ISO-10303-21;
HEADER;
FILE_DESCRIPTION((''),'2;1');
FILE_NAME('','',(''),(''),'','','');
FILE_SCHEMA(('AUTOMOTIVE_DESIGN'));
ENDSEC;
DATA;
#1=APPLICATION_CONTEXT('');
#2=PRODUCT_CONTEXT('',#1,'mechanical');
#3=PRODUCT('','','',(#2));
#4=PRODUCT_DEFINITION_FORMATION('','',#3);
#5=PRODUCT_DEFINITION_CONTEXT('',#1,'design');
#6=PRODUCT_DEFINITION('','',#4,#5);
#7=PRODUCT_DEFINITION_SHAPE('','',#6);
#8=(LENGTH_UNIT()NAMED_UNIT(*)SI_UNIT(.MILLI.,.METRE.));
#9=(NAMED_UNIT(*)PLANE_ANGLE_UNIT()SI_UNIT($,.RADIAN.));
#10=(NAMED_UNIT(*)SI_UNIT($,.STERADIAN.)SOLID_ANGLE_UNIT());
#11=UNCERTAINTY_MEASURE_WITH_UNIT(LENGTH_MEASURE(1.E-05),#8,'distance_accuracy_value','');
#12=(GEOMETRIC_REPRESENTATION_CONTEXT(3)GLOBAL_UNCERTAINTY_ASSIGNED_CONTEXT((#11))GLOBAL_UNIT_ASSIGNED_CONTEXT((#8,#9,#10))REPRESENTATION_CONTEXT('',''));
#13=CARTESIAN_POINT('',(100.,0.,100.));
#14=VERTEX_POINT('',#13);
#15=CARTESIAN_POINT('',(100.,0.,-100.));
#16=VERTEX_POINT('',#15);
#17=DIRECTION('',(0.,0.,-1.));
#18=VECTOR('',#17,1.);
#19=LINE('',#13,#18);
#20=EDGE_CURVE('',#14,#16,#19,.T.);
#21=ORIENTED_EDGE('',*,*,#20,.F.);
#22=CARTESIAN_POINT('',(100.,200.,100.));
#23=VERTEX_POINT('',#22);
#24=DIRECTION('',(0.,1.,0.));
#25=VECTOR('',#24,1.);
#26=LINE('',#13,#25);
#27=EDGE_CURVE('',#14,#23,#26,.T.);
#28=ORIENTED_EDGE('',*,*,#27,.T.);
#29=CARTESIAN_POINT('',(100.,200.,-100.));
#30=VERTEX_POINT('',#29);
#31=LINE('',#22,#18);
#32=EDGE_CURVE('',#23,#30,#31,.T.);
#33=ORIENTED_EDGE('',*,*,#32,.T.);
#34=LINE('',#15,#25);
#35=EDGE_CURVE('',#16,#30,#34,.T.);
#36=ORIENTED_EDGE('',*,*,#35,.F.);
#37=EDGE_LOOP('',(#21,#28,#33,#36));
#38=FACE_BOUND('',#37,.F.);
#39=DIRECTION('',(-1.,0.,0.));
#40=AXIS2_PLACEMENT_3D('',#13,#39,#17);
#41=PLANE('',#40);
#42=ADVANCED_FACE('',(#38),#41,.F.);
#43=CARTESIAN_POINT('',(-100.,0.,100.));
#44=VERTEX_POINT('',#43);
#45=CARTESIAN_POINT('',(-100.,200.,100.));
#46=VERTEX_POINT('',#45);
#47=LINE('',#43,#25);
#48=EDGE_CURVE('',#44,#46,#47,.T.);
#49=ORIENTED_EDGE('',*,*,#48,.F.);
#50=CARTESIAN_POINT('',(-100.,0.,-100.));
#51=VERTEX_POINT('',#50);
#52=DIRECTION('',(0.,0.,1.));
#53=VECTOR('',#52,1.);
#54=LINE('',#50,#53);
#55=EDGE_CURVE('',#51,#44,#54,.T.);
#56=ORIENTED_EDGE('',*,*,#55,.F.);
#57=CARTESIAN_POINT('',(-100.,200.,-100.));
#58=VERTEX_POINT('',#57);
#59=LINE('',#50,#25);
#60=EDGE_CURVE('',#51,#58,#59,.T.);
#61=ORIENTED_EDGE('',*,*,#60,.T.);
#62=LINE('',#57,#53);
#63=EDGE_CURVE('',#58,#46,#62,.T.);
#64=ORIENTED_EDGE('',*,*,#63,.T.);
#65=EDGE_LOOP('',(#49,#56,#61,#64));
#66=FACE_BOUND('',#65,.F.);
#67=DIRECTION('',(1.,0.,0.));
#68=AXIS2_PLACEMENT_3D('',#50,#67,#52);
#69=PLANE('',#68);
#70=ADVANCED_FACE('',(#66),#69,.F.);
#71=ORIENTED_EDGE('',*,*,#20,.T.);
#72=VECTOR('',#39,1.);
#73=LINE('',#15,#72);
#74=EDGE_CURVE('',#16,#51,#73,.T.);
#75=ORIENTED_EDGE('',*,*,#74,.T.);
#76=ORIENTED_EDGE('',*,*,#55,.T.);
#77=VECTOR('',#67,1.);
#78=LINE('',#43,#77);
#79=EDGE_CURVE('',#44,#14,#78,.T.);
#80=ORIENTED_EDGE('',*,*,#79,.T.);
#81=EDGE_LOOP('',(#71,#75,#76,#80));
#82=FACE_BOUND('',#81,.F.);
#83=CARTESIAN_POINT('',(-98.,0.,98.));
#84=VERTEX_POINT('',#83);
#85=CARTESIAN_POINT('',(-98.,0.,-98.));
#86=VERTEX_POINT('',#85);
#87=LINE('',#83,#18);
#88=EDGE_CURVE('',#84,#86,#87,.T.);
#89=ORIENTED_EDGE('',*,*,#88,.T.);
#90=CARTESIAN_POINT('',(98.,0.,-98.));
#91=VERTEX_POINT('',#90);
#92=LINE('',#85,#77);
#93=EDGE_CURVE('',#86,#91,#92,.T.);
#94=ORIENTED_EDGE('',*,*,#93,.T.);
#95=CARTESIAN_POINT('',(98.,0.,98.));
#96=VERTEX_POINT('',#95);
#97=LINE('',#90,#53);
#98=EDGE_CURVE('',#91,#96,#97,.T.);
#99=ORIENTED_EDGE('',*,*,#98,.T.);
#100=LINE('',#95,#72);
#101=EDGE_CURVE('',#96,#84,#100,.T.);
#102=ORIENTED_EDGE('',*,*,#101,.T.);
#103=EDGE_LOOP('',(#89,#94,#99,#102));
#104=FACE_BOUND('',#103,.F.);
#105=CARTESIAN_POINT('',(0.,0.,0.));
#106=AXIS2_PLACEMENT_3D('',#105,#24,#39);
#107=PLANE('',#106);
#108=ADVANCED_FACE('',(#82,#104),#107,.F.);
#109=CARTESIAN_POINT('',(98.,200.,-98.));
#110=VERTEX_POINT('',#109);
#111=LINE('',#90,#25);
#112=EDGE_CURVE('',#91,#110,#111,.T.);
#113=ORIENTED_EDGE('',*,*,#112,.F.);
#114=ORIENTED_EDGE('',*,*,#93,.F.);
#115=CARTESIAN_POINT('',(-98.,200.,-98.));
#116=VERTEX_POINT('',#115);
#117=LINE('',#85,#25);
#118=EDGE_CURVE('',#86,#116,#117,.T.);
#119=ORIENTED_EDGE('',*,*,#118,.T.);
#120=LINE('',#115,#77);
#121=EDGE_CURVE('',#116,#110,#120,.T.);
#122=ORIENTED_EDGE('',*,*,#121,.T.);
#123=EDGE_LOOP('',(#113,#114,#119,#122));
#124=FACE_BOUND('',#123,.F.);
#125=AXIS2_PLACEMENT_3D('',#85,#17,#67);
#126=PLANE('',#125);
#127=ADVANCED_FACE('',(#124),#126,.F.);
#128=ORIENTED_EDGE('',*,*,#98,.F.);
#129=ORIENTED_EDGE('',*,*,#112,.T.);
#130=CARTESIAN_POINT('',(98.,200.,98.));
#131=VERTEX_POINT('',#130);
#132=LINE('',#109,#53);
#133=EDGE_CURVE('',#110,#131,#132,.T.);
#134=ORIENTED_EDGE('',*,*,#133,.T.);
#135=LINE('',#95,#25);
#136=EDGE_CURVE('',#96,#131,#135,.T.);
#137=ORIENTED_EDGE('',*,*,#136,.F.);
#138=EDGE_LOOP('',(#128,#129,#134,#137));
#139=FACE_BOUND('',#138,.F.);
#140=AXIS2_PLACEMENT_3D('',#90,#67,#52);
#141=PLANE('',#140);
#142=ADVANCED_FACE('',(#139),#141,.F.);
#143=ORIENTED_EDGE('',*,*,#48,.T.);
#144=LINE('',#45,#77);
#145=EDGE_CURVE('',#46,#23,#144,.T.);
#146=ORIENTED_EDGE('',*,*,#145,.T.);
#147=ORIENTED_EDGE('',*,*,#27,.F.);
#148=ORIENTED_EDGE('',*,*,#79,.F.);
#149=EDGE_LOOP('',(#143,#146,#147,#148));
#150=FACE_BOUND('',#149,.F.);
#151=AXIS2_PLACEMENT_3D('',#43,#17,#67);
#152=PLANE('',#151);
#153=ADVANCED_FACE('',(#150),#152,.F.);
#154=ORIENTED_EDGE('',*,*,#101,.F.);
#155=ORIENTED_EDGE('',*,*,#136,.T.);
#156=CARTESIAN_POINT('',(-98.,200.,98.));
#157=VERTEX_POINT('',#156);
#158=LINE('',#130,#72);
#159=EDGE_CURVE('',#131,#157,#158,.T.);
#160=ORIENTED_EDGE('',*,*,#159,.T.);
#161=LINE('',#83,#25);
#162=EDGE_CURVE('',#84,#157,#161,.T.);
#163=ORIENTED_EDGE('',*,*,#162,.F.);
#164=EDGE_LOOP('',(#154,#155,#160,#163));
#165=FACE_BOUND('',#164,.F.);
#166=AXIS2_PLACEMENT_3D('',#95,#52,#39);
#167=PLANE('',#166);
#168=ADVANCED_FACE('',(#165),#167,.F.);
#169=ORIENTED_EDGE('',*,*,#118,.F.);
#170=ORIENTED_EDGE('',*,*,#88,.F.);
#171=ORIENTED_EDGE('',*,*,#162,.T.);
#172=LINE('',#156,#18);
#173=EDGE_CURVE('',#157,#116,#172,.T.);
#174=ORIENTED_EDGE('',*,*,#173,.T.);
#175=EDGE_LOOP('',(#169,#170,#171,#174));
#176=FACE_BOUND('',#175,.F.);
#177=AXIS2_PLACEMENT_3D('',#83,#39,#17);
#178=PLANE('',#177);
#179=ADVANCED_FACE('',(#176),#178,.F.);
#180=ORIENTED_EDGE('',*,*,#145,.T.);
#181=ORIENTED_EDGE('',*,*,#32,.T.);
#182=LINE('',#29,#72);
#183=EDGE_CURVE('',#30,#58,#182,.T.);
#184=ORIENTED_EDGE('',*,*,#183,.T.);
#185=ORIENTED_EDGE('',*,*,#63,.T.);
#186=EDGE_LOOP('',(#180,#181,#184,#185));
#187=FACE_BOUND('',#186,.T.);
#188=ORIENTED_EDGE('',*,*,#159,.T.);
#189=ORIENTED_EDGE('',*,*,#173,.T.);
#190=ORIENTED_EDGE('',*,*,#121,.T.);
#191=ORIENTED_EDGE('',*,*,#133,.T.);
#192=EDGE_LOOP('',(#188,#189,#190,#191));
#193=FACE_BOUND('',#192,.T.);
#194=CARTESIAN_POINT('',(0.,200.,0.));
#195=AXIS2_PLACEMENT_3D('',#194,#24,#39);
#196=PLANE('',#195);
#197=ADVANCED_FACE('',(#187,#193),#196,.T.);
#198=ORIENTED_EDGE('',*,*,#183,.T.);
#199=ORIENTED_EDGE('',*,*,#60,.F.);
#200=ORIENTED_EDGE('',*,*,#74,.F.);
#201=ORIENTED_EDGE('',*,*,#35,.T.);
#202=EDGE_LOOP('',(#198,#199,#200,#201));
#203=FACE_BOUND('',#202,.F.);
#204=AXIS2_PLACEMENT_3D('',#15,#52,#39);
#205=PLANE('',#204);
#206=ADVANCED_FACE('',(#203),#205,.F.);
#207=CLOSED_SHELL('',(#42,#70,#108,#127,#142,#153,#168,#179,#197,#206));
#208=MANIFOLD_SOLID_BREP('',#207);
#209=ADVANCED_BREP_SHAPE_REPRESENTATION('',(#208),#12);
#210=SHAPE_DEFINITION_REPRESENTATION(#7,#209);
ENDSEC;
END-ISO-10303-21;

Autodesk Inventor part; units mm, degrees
ref_plane "YZ Plane" through (0, 0, 0) normal (1, 0, 0) x (0, 1, 0)
ref_plane "XZ Plane" through (0, 0, 0) normal (0, 1, 0) x (-1, 0, 0)
ref_plane "XY Plane" through (0, 0, 0) normal (0, 0, 1) x (1, 0, 0)
sketch "Boceto1" plane through (0, 0, 0) normal (0, 1, 0) x (-1, 0, 0)
  line L0 (-100, -100) -> (100, -100)
  line L1 (100, -100) -> (100, 100)
  line L2 (100, 100) -> (-100, 100)
  line L3 (-100, 100) -> (-100, -100)
  line L4 (-100, -100) -> (100, 100) construction
  line L5 (100, -100) -> (-100, 100) construction
  line L6 (-98, 98) -> (98, 98)
  line L7 (98, 98) -> (98, -98)
  line L8 (98, -98) -> (-98, -98)
  line L9 (-98, -98) -> (-98, 98)
  point P0 (0, 0)
  dimension "d0" = 200
  dimension "d1" = 200
  dimension "d2" = 2
extrude "Extrusión1" add sketch "Boceto1" along normal blind 200
properties part number "Contenedor"
